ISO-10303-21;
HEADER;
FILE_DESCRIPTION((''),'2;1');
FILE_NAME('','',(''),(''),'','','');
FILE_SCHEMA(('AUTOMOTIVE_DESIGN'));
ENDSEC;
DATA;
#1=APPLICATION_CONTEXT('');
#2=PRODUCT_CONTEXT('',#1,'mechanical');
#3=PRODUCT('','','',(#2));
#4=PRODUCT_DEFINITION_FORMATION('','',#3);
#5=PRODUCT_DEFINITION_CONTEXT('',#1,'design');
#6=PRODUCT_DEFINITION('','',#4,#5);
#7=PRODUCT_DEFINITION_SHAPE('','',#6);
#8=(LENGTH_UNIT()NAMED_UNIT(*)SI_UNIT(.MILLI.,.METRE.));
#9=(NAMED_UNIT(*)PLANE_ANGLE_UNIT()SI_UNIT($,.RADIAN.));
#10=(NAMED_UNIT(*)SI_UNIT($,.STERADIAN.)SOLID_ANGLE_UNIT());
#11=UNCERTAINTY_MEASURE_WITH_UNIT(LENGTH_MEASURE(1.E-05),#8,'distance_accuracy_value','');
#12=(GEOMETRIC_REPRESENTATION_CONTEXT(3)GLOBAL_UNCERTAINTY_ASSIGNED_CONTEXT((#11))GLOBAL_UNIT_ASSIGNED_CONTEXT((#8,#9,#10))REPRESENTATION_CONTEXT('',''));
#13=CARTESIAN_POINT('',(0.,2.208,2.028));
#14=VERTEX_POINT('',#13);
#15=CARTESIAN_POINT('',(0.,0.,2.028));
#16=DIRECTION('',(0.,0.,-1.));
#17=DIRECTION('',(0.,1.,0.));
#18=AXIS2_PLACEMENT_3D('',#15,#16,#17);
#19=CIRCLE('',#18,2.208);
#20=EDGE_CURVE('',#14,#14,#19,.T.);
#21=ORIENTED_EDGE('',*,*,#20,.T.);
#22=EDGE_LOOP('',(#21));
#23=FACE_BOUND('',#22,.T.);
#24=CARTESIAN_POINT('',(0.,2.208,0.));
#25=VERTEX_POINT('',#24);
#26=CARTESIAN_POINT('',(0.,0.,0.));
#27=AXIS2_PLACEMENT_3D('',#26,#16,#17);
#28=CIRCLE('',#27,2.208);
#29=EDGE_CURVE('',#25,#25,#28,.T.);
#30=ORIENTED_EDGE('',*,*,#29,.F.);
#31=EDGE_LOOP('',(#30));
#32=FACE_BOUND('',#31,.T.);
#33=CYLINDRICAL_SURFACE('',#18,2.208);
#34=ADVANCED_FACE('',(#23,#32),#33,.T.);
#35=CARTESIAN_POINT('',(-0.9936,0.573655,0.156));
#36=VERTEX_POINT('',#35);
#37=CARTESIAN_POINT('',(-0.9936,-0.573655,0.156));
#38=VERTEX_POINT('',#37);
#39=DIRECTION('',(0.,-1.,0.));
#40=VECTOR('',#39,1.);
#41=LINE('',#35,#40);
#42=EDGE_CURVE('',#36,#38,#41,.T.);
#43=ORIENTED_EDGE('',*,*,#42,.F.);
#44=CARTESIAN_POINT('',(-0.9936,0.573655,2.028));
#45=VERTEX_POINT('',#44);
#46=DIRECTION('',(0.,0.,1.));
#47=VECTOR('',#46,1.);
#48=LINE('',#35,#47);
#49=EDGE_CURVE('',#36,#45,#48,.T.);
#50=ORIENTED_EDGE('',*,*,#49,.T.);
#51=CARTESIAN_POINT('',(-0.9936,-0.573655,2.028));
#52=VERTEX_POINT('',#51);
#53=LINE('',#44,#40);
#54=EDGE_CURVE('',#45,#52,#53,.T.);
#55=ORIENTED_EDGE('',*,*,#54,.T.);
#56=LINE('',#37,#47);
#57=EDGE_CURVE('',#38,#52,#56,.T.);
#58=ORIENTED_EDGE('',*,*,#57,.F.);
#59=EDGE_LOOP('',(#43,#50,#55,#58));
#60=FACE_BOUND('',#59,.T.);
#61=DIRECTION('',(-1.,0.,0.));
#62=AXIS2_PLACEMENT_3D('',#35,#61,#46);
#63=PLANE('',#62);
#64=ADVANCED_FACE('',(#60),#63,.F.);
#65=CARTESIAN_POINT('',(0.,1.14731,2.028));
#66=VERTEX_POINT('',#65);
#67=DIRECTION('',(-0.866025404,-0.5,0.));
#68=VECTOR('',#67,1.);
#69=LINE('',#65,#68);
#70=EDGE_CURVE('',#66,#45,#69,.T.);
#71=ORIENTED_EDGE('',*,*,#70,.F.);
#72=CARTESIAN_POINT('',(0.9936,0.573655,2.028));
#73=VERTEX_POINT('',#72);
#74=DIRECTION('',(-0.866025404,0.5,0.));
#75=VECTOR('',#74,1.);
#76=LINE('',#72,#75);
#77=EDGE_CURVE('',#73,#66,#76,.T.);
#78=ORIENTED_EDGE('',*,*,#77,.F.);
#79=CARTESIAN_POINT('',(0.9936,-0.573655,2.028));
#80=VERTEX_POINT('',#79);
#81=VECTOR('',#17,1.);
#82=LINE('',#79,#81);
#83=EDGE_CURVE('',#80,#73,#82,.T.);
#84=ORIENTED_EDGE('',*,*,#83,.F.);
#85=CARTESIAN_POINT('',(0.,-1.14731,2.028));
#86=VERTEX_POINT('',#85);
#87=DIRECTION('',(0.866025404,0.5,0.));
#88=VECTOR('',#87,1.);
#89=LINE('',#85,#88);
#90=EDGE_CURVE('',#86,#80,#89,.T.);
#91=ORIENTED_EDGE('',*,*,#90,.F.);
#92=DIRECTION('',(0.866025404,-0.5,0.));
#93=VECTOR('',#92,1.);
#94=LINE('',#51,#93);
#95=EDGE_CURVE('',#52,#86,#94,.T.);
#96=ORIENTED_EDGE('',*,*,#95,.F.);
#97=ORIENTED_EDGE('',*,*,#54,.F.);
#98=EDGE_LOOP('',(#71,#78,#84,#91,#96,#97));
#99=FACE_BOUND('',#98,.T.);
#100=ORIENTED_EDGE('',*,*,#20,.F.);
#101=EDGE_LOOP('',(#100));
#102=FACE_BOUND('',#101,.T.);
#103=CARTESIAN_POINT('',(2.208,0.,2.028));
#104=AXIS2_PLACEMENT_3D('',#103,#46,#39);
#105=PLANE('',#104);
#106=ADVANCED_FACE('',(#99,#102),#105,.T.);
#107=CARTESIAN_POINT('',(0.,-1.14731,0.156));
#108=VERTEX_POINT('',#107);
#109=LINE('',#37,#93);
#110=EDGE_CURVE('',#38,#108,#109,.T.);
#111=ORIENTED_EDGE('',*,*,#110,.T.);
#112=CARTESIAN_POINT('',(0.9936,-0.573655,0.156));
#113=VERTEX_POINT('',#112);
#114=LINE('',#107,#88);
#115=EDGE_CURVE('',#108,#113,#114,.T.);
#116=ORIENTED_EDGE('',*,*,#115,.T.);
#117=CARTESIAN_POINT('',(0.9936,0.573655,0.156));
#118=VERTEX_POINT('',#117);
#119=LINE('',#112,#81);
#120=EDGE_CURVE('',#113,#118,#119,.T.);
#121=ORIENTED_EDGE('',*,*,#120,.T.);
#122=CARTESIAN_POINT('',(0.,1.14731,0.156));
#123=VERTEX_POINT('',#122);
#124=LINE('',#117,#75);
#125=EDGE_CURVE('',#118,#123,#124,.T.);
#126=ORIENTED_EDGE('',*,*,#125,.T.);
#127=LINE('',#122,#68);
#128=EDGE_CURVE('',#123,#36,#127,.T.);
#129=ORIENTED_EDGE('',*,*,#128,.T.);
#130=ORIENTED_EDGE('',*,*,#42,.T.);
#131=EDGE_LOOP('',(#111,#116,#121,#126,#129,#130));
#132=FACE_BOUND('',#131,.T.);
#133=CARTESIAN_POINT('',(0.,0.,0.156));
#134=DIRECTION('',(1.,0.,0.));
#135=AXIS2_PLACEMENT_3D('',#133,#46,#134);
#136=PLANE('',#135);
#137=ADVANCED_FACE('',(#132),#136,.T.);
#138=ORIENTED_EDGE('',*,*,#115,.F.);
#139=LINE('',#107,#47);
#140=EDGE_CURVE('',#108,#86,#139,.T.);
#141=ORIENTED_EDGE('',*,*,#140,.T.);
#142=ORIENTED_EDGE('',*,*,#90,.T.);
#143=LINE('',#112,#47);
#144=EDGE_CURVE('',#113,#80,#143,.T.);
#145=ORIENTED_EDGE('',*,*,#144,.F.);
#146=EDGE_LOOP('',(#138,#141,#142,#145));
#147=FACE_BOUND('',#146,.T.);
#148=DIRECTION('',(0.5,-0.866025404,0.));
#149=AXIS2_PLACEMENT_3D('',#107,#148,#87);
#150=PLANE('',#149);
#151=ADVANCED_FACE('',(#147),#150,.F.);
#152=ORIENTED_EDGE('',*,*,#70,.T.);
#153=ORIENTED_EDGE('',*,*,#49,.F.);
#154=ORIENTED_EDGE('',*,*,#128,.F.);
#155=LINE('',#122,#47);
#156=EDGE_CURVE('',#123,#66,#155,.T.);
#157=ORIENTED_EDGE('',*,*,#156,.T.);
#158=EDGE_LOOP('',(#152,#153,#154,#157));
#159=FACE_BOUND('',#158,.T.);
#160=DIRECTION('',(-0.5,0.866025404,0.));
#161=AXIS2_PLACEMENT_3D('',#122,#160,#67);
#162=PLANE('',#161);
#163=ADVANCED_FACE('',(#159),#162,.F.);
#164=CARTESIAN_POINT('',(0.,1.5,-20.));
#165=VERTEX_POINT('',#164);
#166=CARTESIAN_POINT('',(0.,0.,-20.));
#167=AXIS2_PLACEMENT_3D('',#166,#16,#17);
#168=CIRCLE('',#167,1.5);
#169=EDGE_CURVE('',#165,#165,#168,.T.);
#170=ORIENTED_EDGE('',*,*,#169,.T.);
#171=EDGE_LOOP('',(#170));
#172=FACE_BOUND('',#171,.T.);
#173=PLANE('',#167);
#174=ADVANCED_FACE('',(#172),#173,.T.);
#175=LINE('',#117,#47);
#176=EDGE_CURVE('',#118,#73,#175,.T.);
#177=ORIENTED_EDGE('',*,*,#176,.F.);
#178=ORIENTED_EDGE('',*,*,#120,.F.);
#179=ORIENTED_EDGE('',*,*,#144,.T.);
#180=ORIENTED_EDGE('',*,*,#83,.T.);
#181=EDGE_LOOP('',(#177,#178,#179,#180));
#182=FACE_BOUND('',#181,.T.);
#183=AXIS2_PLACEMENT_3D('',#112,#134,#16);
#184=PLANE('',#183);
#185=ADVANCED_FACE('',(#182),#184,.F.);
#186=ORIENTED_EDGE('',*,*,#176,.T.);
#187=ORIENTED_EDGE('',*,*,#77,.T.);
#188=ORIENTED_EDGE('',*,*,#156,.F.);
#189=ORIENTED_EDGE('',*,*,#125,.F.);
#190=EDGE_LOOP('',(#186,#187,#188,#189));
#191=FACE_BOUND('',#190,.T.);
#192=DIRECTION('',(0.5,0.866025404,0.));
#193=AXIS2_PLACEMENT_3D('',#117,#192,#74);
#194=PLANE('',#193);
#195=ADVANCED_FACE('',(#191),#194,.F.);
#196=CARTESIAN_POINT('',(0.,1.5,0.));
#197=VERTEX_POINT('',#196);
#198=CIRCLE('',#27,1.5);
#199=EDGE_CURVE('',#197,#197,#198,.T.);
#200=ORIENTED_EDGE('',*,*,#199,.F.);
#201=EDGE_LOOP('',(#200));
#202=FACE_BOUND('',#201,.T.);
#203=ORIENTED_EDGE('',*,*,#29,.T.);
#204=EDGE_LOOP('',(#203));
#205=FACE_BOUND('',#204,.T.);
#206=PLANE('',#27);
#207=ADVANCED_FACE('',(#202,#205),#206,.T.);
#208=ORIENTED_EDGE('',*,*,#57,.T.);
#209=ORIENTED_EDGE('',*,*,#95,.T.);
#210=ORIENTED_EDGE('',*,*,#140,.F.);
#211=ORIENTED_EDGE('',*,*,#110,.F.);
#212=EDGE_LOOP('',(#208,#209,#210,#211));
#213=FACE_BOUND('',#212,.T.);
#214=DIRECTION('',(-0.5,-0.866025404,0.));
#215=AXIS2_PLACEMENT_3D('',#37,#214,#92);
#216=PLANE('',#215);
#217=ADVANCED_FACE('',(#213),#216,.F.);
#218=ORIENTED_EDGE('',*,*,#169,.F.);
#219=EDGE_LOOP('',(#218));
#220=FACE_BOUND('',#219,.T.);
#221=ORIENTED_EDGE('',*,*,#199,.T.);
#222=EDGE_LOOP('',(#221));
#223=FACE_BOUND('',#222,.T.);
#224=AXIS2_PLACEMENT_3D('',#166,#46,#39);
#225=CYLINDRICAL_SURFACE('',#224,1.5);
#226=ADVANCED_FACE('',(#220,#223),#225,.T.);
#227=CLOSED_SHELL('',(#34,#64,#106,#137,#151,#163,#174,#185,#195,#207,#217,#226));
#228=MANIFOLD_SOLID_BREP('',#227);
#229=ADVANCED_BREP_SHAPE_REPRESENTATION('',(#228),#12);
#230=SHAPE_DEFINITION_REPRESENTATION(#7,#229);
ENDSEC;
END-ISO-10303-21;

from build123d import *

# Parameters (mm, degrees)
SKETCH_1_W          = 2.208
SKETCH_1_H          = 2.028
SKETCH_2_R          = 1.5
EXTRUDE_1_DEPTH     = 20
CUT_EXTRUDE_1_DEPTH = 1.872


with BuildPart() as part:
    # 草图1 → 旋转1 (revolve)
    with BuildSketch(Plane.XZ, mode=Mode.PRIVATE) as revolve_1_sk:
        with Locations((1.104, 1.014)):
            Rectangle(SKETCH_1_W, SKETCH_1_H)
    revolve(revolve_1_sk.sketch.rotate(Axis((0, 0, 2.028), (0, 0, -1)), 270), axis=Axis((0, 0, 2.028), (0, 0, -1)))

    # 草图2 → 凸台-拉伸1 (add)
    with BuildSketch(Plane(origin=(0, 0, 0), x_dir=(-1, 0, 0), z_dir=(0, 0, -1))):
        with Locations(Location((0, 0, 0), (0, 0, 90))):
            Circle(SKETCH_2_R)
    extrude(amount=EXTRUDE_1_DEPTH)

    # 草图3 → 切除-拉伸1 (cut)
    with BuildSketch(Plane.XY.offset(2.028)):
        Polygon((0.9936, -0.573655227), (0.9936, 0.573655227), (0, 1.147310455), (-0.9936, 0.573655227), (-0.9936, -0.573655227), (0, -1.147310455), align=None)
    extrude(amount=-CUT_EXTRUDE_1_DEPTH, mode=Mode.SUBTRACT)


solid = part.part
